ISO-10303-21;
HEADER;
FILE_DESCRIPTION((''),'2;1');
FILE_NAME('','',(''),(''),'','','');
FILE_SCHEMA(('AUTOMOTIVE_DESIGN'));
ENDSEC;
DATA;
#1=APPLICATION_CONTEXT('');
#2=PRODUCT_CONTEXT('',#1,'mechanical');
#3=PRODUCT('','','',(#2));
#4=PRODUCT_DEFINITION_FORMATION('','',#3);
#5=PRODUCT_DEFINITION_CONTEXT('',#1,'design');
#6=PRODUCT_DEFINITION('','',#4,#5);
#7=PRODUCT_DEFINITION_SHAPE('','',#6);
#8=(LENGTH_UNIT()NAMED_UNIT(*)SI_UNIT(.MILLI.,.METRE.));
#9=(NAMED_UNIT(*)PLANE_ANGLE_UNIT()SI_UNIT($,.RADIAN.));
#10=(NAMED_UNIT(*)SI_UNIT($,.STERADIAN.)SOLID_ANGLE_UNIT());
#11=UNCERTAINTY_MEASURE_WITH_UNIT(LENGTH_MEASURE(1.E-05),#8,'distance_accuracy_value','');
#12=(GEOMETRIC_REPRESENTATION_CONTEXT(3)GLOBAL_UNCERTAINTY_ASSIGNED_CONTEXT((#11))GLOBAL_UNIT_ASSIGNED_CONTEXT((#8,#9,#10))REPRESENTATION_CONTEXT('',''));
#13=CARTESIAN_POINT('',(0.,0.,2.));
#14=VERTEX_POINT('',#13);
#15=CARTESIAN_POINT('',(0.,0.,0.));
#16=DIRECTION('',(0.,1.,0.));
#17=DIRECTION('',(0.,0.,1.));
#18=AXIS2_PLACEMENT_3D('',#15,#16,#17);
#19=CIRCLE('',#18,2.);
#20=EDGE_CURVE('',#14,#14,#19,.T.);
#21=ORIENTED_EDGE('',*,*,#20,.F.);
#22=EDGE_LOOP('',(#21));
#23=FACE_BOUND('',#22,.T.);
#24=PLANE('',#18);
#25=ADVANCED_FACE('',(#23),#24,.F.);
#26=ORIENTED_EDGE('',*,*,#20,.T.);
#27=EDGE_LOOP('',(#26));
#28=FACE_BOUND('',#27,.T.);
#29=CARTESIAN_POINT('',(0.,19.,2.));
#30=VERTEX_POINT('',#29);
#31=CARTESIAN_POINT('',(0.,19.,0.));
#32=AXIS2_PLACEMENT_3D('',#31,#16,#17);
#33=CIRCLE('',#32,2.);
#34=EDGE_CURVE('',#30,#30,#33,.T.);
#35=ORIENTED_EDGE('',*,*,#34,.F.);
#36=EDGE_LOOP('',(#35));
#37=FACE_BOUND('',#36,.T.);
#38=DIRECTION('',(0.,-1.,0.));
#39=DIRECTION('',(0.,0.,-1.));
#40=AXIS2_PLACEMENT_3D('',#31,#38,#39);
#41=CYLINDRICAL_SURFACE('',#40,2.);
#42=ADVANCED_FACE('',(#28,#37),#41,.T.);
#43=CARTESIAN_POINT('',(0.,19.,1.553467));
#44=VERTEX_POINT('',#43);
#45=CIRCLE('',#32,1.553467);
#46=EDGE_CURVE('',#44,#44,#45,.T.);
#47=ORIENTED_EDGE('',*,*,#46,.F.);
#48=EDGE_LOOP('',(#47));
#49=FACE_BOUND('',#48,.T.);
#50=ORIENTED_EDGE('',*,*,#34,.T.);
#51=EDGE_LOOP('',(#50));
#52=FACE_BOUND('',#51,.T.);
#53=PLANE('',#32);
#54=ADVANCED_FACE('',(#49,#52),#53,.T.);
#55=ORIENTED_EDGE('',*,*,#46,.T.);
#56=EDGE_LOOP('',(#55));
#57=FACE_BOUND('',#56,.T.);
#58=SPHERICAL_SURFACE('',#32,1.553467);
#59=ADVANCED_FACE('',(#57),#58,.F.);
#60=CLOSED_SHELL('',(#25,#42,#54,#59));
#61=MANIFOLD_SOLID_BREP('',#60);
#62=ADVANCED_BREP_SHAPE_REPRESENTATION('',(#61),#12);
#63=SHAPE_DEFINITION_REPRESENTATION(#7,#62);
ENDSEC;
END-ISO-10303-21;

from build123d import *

# Parameters (mm, degrees)
SKETCH1_R           = 2
BOSS_EXTRUDE1_DEPTH = 19


with BuildPart() as part:
    # Sketch1 → Boss-Extrude1 (new body)
    with BuildSketch(Plane(origin=(0, 0, 0), x_dir=(1, 0, 0), z_dir=(0, 1, 0))):
        Circle(SKETCH1_R)
    extrude(amount=BOSS_EXTRUDE1_DEPTH)

    # Sketch3 → Cut-Revolve2 (revolve, cut)
    with BuildSketch(Plane(origin=(0, 19, 0), x_dir=(1, 0, 0), z_dir=(0, 1, 0))):
        with BuildLine():
            Line((0, 1.553467287), (0, -1.553467287))
            ThreePointArc((0, -1.553467287), (-1.553467287, 0), (0, 1.553467287))
        make_face()
    revolve(axis=Axis((0, 19, -1.553467287), (0, 0, 1)), mode=Mode.SUBTRACT)


solid = part.part
